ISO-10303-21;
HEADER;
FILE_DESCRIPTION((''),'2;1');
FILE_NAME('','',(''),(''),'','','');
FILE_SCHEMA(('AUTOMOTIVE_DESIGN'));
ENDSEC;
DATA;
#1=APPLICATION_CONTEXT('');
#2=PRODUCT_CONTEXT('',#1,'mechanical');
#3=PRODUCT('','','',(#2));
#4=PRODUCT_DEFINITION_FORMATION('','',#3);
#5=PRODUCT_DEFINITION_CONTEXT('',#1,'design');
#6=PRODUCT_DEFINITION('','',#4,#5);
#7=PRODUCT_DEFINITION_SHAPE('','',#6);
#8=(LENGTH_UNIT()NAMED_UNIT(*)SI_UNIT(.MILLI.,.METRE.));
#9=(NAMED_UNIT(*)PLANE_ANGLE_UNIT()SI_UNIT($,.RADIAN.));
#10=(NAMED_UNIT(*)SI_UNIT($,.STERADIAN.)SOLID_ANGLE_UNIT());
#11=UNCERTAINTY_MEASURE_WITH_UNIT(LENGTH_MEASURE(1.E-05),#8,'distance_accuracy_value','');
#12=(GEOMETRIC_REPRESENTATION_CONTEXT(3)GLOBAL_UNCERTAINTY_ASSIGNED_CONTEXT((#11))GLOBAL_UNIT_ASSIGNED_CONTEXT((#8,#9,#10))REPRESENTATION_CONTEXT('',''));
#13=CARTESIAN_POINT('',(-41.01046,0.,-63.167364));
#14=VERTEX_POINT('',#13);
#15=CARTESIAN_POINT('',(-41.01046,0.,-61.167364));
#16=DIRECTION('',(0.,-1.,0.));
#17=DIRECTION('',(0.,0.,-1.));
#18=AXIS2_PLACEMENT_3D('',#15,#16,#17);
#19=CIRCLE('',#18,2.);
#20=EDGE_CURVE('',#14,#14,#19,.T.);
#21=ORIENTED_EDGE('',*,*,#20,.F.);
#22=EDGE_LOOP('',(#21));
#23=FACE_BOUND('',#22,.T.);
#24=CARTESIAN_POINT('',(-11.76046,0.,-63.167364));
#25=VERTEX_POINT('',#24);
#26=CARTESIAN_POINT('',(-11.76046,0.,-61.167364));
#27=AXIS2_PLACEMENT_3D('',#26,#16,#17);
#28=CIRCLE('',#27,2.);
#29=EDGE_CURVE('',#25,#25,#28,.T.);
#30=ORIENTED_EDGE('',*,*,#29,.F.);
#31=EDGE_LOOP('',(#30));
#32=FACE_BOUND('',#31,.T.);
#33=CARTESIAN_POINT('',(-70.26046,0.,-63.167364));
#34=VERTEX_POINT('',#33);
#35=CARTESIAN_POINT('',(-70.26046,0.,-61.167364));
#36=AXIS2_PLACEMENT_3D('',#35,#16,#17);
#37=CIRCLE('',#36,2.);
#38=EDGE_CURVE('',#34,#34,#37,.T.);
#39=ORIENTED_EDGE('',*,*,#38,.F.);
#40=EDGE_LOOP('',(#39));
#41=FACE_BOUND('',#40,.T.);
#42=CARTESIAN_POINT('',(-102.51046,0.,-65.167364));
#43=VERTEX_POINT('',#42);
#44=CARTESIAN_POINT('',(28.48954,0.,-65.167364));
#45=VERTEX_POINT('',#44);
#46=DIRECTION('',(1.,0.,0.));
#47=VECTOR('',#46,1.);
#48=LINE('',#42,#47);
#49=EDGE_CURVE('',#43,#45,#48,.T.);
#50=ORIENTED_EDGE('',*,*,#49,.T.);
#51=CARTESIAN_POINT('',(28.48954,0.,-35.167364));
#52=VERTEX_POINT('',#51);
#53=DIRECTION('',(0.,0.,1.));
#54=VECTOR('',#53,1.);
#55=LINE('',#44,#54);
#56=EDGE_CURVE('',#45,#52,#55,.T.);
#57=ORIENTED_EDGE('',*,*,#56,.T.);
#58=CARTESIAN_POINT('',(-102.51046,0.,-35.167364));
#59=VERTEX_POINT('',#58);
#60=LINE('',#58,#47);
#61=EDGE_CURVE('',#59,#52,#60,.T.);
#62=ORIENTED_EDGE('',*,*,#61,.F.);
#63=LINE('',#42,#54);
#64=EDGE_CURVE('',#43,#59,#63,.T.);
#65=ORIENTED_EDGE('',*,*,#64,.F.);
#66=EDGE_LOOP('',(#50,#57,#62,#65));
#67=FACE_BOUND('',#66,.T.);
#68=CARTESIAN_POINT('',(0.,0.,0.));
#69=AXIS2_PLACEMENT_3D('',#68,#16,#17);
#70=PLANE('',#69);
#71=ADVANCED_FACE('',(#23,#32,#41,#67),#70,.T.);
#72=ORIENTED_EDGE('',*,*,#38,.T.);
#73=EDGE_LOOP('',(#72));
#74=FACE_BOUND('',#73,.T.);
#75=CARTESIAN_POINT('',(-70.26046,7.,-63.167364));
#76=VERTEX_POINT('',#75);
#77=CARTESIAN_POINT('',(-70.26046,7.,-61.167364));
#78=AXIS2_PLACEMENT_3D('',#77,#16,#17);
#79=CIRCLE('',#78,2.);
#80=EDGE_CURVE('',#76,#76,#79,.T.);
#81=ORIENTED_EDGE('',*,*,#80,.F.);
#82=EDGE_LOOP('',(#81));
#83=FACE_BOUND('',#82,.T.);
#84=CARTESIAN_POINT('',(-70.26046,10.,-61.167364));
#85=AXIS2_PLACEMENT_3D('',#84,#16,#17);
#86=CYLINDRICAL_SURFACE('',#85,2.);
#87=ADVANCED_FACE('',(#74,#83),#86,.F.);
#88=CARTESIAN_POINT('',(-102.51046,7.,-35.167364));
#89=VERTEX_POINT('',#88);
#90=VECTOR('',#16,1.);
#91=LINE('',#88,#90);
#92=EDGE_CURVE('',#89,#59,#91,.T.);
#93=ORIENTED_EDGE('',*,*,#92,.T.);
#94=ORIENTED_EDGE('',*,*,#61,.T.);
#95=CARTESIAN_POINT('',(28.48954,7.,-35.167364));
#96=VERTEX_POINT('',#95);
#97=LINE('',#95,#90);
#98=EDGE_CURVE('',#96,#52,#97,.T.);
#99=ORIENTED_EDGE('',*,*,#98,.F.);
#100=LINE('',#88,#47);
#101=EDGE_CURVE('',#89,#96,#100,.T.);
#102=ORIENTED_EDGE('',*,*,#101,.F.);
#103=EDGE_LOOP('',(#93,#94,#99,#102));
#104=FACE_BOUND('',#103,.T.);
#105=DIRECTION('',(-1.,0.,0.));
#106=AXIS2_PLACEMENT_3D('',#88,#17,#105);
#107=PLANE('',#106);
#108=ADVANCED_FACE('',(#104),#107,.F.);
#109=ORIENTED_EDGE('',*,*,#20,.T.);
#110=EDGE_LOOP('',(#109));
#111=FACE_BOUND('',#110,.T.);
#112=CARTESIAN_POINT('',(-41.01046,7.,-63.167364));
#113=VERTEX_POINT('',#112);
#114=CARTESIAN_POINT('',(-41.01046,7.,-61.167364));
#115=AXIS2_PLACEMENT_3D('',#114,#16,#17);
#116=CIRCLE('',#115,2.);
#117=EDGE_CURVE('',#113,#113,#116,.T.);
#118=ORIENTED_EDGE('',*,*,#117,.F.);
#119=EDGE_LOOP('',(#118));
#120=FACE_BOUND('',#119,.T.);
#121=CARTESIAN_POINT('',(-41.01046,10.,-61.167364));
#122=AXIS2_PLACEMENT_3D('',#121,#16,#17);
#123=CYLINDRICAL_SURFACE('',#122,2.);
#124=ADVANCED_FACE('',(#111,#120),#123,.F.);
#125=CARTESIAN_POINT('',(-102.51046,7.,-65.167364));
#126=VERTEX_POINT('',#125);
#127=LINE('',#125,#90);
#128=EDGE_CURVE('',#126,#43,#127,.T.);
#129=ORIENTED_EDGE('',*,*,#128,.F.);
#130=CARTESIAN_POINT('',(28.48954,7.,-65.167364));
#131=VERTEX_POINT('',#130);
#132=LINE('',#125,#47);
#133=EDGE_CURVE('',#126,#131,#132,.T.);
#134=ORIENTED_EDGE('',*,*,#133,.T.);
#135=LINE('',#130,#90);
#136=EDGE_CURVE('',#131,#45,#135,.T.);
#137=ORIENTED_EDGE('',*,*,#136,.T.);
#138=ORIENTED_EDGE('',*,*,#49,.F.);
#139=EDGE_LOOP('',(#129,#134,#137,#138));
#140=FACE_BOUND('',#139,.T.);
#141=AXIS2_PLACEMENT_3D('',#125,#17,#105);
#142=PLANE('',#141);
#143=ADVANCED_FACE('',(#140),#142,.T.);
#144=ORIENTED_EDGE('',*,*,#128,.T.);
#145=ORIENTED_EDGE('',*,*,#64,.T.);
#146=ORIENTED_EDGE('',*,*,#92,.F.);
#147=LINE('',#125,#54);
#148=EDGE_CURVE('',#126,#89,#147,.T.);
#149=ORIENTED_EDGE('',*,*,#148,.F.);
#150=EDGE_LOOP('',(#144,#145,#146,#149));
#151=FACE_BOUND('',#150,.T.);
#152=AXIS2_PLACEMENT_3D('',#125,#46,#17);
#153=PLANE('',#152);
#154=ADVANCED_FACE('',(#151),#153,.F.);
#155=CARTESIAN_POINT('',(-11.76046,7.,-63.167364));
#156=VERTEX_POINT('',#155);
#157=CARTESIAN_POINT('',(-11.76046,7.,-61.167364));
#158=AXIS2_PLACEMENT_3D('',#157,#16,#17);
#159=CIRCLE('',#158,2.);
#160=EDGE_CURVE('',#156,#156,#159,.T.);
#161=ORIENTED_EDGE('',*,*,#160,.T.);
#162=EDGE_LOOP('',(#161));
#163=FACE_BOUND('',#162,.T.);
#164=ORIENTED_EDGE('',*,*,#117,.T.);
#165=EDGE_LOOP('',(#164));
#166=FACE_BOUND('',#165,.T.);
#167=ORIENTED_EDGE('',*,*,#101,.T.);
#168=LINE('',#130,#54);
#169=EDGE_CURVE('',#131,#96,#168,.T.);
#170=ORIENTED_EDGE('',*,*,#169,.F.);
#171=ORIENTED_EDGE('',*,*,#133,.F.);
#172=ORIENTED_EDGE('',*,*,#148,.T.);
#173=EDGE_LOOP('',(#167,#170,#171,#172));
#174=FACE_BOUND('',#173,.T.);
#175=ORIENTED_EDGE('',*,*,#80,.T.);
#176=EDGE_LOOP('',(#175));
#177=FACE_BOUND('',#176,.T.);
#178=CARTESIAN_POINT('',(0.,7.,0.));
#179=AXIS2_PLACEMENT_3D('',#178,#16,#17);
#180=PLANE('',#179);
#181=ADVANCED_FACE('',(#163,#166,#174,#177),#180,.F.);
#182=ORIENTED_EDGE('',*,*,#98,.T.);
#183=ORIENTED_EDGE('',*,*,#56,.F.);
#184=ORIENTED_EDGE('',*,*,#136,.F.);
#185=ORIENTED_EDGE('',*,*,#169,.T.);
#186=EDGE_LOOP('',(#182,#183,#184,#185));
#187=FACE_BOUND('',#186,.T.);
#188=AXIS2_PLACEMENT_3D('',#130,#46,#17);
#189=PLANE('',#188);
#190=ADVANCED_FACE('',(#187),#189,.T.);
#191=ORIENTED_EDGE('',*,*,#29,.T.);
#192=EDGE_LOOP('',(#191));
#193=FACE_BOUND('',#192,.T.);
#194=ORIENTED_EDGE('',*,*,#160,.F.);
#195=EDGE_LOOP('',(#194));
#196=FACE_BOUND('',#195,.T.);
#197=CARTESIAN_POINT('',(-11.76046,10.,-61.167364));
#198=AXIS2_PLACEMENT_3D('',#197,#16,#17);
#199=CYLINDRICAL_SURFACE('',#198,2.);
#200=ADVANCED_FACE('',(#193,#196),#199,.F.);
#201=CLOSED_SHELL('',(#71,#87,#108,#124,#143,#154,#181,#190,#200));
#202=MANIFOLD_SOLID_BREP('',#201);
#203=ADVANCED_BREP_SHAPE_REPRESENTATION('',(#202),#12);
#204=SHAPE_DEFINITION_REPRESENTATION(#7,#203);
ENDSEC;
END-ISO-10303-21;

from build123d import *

# Parameters (mm, degrees)
SKETCH1_W           = 131
SKETCH1_H           = 30
BOSS_EXTRUDE1_DEPTH = 7
SKETCH2_R           = 2
CUT_EXTRUDE1_DEPTH  = 10


with BuildPart() as part:
    # Sketch1 → Boss-Extrude1 (new body)
    with BuildSketch(Plane(origin=(0, 0, 0), x_dir=(1, 0, 0), z_dir=(0, 1, 0))):
        with Locations((-37.010460251, 50.167364017)):
            Rectangle(SKETCH1_W, SKETCH1_H)
    extrude(amount=BOSS_EXTRUDE1_DEPTH)

    # Sketch2 → Cut-Extrude1 (cut)
    with BuildSketch(Plane.XZ):
        with Locations((-70.260460251, -61.167364017)):
            Circle(SKETCH2_R)
        with Locations((-41.010460251, -61.167364017)):
            Circle(SKETCH2_R)
        with Locations((-11.760460251, -61.167364017)):
            Circle(SKETCH2_R)
    extrude(amount=-CUT_EXTRUDE1_DEPTH, mode=Mode.SUBTRACT)


solid = part.part
